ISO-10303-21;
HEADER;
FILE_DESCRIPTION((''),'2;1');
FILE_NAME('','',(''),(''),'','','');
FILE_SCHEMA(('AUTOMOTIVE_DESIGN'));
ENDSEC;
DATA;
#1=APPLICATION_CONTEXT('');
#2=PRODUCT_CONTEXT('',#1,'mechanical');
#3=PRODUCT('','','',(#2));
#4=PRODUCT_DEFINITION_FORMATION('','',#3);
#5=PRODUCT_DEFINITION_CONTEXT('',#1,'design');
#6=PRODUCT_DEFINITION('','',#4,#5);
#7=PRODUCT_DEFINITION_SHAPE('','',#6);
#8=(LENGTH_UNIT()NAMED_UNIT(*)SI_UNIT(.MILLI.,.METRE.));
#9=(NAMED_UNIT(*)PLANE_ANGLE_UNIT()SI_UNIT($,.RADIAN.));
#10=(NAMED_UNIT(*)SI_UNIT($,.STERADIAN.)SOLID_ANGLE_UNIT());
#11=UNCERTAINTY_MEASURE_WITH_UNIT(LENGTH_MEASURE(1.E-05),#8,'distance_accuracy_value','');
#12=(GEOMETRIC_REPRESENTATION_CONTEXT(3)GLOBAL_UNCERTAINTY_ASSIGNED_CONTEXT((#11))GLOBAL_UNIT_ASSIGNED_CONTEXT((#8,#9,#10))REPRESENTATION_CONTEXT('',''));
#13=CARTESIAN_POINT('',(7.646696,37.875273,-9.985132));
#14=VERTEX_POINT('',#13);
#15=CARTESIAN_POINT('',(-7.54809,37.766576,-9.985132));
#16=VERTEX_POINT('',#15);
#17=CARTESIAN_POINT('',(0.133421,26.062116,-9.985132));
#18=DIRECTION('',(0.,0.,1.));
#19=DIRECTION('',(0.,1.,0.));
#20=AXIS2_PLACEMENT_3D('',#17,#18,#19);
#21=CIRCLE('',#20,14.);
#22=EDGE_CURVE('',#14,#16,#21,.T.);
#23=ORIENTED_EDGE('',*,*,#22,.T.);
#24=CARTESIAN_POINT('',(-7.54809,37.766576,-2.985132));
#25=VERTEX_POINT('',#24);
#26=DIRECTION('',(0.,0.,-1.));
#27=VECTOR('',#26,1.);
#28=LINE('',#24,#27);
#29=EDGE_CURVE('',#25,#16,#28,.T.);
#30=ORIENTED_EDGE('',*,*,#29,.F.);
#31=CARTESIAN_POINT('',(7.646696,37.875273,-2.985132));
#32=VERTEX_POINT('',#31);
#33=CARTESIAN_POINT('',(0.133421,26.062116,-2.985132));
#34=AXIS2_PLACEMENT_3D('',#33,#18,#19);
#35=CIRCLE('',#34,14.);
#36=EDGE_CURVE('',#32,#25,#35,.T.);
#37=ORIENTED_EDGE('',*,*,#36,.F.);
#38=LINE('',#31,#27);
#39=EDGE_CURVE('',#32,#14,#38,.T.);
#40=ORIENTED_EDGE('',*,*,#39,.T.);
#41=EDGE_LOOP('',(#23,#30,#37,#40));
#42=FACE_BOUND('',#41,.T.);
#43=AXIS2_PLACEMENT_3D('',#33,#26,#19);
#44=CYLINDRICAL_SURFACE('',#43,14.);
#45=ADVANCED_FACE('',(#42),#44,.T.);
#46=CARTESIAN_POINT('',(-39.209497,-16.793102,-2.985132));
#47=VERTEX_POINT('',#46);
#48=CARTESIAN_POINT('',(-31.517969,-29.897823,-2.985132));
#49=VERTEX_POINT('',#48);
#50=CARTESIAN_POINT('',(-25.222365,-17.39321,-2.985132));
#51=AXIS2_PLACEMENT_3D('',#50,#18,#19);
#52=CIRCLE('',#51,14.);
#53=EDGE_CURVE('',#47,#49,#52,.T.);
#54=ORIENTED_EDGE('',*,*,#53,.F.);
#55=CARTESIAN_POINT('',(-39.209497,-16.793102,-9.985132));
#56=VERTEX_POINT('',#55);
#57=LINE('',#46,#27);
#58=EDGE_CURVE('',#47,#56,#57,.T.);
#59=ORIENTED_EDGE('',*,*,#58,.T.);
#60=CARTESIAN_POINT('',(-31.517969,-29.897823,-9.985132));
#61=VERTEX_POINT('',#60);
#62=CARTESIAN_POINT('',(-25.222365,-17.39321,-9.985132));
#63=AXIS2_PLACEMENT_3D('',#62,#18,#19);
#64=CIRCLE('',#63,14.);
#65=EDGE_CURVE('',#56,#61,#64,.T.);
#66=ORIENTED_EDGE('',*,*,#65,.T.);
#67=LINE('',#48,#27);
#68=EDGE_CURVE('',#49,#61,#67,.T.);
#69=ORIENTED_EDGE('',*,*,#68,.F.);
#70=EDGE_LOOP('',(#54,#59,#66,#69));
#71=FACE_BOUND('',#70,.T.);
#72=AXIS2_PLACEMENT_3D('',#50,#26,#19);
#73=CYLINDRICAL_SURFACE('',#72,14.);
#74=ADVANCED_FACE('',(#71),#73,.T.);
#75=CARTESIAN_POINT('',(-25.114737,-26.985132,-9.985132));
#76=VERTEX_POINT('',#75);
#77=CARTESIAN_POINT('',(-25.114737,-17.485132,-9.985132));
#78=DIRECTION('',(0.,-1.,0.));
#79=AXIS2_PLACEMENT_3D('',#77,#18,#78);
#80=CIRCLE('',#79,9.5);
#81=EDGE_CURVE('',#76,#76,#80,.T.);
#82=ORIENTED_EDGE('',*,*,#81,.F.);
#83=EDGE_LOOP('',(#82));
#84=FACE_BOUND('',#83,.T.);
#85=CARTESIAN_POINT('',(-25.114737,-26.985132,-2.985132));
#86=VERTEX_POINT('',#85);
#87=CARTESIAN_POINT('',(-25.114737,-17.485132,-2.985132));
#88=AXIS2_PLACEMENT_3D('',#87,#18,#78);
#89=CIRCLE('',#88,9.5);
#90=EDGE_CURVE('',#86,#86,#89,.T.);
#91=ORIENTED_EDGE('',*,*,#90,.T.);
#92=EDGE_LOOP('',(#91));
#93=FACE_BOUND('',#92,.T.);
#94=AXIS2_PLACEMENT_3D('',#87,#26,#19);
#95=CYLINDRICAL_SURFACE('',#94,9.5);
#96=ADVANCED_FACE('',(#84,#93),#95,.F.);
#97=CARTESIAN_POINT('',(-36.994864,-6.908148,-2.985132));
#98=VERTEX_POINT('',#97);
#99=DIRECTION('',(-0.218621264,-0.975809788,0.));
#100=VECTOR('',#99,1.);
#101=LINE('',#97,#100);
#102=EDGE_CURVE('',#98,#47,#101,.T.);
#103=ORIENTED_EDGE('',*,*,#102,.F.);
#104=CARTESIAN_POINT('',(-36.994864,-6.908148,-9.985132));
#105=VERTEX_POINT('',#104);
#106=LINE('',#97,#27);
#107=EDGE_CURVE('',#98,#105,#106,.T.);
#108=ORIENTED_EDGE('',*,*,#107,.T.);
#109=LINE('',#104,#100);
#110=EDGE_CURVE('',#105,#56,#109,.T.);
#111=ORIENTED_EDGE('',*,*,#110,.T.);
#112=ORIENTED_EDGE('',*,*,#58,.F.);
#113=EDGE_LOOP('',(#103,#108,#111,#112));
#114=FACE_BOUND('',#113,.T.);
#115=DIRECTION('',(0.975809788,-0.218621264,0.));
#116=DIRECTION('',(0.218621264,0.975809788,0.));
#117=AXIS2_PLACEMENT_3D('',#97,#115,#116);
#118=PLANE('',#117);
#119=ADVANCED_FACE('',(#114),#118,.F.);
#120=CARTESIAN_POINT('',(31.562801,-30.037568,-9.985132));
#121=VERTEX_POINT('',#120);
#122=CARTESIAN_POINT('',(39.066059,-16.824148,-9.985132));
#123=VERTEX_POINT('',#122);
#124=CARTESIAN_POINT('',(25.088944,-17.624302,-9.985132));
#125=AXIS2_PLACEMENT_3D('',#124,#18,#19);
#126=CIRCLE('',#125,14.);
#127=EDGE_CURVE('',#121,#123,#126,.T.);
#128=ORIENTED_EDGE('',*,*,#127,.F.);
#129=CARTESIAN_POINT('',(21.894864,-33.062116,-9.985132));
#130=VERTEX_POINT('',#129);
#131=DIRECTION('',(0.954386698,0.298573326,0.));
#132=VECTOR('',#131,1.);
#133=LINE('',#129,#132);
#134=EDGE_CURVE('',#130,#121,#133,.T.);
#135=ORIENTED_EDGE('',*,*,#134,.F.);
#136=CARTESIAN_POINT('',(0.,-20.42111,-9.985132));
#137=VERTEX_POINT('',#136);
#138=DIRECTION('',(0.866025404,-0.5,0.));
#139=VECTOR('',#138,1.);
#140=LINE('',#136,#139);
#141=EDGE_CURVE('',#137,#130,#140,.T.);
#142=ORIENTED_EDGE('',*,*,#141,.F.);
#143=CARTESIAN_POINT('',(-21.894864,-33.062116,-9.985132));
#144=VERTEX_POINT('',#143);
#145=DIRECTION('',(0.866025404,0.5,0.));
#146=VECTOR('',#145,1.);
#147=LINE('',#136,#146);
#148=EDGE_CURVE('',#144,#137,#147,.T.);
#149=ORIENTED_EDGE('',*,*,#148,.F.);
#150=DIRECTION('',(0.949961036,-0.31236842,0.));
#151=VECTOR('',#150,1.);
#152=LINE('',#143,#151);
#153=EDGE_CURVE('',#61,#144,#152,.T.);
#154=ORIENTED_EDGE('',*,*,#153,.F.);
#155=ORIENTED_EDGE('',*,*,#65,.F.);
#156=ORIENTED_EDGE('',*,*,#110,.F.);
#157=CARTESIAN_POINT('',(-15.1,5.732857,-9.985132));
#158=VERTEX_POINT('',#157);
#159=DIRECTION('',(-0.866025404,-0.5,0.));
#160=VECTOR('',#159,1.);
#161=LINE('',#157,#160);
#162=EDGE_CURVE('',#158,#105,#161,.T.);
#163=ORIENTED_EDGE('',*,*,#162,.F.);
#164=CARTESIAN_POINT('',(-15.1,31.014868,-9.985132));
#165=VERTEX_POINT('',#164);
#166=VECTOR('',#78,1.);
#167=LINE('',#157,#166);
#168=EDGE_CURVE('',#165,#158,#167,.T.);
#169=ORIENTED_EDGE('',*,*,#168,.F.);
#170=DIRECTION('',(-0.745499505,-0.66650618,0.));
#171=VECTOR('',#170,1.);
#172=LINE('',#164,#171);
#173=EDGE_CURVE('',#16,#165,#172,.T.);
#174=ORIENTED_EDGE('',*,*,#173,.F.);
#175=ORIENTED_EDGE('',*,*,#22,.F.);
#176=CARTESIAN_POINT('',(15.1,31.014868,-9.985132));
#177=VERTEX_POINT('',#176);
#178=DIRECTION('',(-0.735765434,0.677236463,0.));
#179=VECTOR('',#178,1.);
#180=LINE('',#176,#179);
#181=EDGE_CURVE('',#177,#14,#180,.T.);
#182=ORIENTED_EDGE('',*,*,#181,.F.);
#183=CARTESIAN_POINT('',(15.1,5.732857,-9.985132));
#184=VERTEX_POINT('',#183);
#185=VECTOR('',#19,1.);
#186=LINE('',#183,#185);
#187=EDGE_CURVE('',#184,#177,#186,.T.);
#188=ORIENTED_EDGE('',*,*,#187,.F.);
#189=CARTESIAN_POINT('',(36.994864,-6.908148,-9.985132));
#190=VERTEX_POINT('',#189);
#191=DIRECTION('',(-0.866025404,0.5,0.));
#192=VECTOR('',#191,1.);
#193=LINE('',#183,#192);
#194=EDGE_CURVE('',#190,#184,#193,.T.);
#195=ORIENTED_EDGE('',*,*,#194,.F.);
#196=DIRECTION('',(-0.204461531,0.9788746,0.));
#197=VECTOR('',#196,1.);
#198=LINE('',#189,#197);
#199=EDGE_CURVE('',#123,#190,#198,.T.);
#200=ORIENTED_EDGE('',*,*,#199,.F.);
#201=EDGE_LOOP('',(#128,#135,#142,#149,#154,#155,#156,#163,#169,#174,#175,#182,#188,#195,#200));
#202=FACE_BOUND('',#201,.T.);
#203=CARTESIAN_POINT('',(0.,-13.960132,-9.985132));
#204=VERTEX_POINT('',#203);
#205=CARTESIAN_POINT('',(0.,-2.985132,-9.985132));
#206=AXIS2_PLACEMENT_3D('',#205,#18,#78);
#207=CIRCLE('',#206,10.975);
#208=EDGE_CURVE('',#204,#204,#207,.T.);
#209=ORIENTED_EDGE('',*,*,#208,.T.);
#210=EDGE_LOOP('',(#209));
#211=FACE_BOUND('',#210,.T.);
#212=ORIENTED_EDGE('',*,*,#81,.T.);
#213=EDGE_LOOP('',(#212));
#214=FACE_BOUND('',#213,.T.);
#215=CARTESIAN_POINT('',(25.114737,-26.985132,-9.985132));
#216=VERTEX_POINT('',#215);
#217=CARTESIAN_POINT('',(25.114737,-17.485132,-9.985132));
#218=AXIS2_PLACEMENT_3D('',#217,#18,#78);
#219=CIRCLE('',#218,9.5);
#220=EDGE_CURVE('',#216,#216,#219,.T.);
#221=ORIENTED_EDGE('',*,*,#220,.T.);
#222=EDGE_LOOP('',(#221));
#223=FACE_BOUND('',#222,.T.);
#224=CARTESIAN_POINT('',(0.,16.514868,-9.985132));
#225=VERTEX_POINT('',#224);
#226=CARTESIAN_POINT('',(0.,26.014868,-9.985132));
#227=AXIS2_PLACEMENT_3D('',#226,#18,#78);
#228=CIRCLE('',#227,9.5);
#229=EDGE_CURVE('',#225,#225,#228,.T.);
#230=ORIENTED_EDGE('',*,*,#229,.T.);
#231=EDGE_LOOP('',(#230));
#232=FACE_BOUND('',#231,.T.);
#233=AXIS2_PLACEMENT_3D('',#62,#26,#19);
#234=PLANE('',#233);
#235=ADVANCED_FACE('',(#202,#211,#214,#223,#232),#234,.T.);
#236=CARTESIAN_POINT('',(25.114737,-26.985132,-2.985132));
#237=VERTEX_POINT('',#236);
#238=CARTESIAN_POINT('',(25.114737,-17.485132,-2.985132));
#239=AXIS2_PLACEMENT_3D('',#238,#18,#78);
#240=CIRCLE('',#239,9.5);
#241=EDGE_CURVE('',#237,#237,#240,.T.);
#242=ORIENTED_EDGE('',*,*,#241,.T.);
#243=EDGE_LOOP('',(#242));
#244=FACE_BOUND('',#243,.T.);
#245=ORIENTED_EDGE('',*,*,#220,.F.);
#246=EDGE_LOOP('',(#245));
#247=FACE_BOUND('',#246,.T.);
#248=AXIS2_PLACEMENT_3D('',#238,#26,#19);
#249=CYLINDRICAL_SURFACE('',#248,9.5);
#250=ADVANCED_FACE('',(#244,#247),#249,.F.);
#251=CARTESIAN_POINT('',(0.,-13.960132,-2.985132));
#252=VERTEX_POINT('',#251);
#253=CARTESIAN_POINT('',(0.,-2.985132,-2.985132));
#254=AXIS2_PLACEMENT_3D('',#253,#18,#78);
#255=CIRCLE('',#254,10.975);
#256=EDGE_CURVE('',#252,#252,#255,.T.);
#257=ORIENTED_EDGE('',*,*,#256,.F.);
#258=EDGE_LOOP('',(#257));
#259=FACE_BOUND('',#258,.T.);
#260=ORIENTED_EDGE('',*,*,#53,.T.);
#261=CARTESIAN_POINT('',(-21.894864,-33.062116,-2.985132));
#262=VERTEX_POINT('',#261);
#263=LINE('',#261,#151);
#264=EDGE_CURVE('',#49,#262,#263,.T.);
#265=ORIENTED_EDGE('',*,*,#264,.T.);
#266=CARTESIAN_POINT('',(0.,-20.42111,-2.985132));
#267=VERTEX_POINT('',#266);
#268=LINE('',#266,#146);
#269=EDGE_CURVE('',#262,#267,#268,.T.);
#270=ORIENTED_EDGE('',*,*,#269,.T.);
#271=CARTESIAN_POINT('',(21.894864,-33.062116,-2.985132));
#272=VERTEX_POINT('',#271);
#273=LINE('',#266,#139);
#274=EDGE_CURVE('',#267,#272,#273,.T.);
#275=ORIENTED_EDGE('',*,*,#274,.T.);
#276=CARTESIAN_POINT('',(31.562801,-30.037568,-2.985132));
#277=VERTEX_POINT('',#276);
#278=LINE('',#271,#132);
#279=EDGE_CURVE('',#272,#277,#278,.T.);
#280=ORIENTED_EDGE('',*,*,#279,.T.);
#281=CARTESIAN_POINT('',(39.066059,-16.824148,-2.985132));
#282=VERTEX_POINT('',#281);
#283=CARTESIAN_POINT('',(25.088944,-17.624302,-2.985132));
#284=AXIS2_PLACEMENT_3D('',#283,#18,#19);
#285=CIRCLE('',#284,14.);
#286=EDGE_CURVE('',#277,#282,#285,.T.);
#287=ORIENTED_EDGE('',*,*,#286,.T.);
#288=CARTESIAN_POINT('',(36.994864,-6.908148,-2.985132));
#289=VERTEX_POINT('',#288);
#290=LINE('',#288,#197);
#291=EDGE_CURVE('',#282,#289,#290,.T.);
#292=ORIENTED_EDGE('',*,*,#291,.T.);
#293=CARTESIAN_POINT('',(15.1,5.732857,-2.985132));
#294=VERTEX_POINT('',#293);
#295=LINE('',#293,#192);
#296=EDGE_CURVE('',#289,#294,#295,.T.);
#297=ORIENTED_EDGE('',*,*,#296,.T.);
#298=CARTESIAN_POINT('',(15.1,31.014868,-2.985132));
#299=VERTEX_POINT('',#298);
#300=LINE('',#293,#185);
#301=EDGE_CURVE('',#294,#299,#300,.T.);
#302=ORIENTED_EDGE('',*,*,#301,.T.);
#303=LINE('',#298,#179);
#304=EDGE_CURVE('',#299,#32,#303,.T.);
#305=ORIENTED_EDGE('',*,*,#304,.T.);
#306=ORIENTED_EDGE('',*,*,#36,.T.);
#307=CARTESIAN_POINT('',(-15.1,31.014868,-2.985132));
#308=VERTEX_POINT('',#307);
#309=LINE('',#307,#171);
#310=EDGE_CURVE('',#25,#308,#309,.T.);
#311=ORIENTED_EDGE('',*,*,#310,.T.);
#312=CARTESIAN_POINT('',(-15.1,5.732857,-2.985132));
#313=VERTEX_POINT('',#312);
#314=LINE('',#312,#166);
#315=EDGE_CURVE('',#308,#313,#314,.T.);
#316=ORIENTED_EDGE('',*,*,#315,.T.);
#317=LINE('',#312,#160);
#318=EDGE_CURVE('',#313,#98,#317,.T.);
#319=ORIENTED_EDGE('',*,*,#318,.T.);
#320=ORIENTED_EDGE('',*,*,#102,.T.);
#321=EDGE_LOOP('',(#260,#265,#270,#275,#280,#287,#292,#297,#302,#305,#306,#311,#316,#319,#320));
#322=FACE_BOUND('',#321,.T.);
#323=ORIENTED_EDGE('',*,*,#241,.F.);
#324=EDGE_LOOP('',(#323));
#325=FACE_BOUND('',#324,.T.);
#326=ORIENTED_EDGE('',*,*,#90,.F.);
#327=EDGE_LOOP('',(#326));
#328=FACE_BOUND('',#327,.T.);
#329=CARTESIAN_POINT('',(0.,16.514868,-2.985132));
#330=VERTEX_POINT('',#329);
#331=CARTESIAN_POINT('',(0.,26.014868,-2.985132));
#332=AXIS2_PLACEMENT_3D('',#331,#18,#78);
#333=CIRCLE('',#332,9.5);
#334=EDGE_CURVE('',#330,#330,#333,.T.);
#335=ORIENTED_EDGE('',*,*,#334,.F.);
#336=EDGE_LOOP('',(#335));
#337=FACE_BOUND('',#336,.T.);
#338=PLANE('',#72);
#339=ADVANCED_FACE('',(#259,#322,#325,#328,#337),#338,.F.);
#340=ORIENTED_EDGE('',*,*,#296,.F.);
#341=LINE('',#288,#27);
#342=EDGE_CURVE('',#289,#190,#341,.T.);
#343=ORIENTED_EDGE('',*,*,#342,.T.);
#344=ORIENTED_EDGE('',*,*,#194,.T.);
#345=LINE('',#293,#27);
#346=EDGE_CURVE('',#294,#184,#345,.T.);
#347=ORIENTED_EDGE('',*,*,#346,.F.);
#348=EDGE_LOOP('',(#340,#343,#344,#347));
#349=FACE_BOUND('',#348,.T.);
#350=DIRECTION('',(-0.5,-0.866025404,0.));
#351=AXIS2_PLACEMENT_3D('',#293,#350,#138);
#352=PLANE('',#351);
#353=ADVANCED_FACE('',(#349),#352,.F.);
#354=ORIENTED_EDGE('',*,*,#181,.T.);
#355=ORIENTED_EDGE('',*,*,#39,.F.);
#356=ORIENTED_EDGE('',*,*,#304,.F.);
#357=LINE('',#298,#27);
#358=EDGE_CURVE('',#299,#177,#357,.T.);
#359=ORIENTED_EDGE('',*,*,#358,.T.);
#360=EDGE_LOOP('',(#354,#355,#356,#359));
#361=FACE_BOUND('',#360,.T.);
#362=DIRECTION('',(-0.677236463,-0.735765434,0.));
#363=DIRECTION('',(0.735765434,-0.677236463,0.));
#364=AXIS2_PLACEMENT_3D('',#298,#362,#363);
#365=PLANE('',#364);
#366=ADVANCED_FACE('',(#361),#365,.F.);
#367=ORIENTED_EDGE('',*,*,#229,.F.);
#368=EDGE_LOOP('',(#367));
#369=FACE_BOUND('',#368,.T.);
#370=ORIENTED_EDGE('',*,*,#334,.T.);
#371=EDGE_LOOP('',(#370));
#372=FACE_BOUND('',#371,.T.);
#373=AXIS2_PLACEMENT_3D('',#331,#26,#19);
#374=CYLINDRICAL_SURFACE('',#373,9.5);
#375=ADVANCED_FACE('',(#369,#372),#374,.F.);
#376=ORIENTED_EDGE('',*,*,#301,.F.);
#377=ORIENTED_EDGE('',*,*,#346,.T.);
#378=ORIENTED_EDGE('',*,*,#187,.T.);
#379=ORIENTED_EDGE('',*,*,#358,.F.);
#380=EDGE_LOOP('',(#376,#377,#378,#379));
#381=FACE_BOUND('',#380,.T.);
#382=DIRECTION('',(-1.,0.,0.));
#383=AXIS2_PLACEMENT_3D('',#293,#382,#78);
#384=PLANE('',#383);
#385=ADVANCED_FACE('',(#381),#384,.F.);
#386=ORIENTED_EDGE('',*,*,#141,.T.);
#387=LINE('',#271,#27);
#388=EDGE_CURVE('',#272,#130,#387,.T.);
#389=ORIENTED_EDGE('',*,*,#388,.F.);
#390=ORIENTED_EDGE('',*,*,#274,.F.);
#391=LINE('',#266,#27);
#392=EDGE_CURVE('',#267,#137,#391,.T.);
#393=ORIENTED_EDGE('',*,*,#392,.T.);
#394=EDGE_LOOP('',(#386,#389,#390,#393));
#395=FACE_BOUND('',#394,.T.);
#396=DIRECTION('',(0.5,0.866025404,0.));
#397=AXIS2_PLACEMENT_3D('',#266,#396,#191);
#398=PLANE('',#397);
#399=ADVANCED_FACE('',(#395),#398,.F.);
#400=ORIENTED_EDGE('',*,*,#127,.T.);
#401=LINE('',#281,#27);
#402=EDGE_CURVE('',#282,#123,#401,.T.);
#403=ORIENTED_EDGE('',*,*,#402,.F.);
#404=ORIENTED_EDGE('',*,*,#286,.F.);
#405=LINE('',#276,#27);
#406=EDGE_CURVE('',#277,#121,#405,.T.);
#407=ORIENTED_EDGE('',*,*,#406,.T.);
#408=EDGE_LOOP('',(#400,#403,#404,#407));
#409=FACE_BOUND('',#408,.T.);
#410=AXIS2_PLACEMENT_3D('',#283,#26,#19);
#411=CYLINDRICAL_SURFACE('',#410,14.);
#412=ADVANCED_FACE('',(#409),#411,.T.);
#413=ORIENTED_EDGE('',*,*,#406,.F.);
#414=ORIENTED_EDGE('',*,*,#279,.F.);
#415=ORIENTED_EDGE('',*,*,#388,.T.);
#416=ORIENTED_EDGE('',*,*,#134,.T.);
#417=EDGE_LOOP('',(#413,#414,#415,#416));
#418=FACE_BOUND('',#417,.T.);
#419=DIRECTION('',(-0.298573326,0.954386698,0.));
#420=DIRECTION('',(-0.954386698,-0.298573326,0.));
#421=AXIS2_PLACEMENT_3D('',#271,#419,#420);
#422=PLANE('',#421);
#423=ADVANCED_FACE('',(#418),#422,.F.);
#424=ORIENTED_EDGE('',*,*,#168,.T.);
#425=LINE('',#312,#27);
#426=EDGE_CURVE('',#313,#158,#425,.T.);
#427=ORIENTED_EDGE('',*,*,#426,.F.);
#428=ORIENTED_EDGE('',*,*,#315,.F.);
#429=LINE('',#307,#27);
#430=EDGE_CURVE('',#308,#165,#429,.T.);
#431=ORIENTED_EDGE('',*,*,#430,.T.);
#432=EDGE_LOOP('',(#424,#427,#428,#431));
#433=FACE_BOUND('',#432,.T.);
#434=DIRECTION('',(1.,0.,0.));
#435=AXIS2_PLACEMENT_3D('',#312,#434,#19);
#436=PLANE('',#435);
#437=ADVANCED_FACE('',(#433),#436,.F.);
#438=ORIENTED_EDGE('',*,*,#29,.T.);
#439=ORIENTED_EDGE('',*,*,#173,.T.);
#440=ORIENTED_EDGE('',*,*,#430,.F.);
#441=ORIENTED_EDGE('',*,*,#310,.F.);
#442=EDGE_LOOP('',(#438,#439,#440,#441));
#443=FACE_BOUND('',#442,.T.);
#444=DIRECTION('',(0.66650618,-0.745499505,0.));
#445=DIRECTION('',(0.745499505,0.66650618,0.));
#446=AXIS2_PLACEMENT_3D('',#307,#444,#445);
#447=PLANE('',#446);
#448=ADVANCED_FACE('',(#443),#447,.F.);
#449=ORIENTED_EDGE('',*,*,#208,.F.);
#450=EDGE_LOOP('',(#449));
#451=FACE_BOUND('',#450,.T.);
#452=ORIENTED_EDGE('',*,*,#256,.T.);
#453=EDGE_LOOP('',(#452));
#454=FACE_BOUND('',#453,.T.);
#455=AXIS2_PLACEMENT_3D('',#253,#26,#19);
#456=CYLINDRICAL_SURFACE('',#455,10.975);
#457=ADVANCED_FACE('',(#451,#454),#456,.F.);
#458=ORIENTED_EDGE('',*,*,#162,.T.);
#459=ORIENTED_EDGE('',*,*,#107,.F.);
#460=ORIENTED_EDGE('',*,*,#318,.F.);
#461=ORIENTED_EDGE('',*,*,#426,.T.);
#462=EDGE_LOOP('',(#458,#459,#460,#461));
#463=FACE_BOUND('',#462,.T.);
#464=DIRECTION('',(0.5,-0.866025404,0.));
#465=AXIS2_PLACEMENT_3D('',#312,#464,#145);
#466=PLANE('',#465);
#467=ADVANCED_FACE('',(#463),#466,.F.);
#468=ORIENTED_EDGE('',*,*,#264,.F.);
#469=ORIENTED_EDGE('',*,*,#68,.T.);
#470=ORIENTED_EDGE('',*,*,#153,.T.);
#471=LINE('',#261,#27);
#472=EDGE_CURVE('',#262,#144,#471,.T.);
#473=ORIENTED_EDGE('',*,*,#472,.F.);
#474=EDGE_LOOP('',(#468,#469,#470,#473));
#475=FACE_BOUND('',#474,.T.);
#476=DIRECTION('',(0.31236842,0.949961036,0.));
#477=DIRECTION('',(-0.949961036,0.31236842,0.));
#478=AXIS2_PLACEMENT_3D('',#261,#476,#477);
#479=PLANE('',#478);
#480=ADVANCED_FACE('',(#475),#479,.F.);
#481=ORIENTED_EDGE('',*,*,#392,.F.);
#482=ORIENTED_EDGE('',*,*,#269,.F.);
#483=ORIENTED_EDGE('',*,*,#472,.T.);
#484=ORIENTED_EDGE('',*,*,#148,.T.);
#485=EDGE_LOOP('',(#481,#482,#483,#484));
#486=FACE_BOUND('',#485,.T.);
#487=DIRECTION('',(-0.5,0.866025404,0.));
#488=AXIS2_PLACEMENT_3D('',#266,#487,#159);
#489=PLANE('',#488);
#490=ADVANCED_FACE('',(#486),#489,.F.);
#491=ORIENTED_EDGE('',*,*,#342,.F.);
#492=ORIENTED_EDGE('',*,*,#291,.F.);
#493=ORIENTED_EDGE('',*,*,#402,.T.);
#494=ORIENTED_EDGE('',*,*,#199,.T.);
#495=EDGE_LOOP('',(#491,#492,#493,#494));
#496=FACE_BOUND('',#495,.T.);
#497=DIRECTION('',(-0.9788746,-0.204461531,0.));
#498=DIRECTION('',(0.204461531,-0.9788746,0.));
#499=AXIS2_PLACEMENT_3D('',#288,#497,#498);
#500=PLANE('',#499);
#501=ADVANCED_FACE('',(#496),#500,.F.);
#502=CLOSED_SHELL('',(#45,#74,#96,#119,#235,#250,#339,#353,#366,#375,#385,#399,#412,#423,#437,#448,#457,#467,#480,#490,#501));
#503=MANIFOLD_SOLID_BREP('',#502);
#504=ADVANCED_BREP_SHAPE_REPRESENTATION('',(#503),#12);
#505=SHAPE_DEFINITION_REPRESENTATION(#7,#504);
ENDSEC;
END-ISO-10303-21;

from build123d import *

# Parameters (mm, degrees)
SKETCH2_R             = 10.975
SKETCH2_R_2           = 9.5
BOSS_EXTRUDE1_DEPTH   = 7
BODY_MOVE_COPY2_ANGLE = 90


with BuildPart() as part:
    # Sketch2 → Boss-Extrude1 (new body)
    with BuildSketch(Plane(origin=(0, 0, 0), x_dir=(1, 0, 0), z_dir=(0, 1, 0))):
        with BuildLine():
            Line((15.1, 8.717989065), (15.1, 34))
            Line((15.1, 34), (7.646696155, 40.860405367))
            ThreePointArc((7.646696155, 40.860405367), (0.033272999, 43.046889297), (-7.548090014, 40.751707603))
            Line((-7.548090014, 40.751707603), (-15.1, 34))
            Line((-15.1, 34), (-15.1, 8.717989065))
            Line((-15.1, 8.717989065), (-36.994863729, -3.923016403))
            Line((-36.994863729, -3.923016403), (-39.209497135, -13.807969558))
            ThreePointArc((-39.209497135, -13.807969558), (-37.296336185, -21.494629386), (-31.517969025, -26.912691504))
            Line((-31.517969025, -26.912691504), (-21.894863729, -30.076983597))
            Line((-21.894863729, -30.076983597), (0, -17.43597813))
            Line((0, -17.43597813), (21.894863729, -30.076983597))
            Line((21.894863729, -30.076983597), (31.562800979, -27.052435809))
            ThreePointArc((31.562800979, -27.052435809), (37.263063186, -21.552259911), (39.066059039, -13.8390161))
            Line((39.066059039, -13.8390161), (36.994863729, -3.923016403))
            Line((36.994863729, -3.923016403), (15.1, 8.717989065))
        make_face()
        Circle(SKETCH2_R, mode=Mode.SUBTRACT)
        with Locations((0, 29)):
            Circle(SKETCH2_R_2, mode=Mode.SUBTRACT)
        with Locations((25.11473671, -14.5)):
            Circle(SKETCH2_R_2, mode=Mode.SUBTRACT)
        with Locations((-25.11473671, -14.5)):
            Circle(SKETCH2_R_2, mode=Mode.SUBTRACT)
    extrude(amount=BOSS_EXTRUDE1_DEPTH)


with BuildPart() as part_1:
    # Body-Move/Copy2: moved
    add(part.part.rotate(Axis((0, 3.5, -6.485131953), (1, 0, 0)), BODY_MOVE_COPY2_ANGLE))


solid = part_1.part
